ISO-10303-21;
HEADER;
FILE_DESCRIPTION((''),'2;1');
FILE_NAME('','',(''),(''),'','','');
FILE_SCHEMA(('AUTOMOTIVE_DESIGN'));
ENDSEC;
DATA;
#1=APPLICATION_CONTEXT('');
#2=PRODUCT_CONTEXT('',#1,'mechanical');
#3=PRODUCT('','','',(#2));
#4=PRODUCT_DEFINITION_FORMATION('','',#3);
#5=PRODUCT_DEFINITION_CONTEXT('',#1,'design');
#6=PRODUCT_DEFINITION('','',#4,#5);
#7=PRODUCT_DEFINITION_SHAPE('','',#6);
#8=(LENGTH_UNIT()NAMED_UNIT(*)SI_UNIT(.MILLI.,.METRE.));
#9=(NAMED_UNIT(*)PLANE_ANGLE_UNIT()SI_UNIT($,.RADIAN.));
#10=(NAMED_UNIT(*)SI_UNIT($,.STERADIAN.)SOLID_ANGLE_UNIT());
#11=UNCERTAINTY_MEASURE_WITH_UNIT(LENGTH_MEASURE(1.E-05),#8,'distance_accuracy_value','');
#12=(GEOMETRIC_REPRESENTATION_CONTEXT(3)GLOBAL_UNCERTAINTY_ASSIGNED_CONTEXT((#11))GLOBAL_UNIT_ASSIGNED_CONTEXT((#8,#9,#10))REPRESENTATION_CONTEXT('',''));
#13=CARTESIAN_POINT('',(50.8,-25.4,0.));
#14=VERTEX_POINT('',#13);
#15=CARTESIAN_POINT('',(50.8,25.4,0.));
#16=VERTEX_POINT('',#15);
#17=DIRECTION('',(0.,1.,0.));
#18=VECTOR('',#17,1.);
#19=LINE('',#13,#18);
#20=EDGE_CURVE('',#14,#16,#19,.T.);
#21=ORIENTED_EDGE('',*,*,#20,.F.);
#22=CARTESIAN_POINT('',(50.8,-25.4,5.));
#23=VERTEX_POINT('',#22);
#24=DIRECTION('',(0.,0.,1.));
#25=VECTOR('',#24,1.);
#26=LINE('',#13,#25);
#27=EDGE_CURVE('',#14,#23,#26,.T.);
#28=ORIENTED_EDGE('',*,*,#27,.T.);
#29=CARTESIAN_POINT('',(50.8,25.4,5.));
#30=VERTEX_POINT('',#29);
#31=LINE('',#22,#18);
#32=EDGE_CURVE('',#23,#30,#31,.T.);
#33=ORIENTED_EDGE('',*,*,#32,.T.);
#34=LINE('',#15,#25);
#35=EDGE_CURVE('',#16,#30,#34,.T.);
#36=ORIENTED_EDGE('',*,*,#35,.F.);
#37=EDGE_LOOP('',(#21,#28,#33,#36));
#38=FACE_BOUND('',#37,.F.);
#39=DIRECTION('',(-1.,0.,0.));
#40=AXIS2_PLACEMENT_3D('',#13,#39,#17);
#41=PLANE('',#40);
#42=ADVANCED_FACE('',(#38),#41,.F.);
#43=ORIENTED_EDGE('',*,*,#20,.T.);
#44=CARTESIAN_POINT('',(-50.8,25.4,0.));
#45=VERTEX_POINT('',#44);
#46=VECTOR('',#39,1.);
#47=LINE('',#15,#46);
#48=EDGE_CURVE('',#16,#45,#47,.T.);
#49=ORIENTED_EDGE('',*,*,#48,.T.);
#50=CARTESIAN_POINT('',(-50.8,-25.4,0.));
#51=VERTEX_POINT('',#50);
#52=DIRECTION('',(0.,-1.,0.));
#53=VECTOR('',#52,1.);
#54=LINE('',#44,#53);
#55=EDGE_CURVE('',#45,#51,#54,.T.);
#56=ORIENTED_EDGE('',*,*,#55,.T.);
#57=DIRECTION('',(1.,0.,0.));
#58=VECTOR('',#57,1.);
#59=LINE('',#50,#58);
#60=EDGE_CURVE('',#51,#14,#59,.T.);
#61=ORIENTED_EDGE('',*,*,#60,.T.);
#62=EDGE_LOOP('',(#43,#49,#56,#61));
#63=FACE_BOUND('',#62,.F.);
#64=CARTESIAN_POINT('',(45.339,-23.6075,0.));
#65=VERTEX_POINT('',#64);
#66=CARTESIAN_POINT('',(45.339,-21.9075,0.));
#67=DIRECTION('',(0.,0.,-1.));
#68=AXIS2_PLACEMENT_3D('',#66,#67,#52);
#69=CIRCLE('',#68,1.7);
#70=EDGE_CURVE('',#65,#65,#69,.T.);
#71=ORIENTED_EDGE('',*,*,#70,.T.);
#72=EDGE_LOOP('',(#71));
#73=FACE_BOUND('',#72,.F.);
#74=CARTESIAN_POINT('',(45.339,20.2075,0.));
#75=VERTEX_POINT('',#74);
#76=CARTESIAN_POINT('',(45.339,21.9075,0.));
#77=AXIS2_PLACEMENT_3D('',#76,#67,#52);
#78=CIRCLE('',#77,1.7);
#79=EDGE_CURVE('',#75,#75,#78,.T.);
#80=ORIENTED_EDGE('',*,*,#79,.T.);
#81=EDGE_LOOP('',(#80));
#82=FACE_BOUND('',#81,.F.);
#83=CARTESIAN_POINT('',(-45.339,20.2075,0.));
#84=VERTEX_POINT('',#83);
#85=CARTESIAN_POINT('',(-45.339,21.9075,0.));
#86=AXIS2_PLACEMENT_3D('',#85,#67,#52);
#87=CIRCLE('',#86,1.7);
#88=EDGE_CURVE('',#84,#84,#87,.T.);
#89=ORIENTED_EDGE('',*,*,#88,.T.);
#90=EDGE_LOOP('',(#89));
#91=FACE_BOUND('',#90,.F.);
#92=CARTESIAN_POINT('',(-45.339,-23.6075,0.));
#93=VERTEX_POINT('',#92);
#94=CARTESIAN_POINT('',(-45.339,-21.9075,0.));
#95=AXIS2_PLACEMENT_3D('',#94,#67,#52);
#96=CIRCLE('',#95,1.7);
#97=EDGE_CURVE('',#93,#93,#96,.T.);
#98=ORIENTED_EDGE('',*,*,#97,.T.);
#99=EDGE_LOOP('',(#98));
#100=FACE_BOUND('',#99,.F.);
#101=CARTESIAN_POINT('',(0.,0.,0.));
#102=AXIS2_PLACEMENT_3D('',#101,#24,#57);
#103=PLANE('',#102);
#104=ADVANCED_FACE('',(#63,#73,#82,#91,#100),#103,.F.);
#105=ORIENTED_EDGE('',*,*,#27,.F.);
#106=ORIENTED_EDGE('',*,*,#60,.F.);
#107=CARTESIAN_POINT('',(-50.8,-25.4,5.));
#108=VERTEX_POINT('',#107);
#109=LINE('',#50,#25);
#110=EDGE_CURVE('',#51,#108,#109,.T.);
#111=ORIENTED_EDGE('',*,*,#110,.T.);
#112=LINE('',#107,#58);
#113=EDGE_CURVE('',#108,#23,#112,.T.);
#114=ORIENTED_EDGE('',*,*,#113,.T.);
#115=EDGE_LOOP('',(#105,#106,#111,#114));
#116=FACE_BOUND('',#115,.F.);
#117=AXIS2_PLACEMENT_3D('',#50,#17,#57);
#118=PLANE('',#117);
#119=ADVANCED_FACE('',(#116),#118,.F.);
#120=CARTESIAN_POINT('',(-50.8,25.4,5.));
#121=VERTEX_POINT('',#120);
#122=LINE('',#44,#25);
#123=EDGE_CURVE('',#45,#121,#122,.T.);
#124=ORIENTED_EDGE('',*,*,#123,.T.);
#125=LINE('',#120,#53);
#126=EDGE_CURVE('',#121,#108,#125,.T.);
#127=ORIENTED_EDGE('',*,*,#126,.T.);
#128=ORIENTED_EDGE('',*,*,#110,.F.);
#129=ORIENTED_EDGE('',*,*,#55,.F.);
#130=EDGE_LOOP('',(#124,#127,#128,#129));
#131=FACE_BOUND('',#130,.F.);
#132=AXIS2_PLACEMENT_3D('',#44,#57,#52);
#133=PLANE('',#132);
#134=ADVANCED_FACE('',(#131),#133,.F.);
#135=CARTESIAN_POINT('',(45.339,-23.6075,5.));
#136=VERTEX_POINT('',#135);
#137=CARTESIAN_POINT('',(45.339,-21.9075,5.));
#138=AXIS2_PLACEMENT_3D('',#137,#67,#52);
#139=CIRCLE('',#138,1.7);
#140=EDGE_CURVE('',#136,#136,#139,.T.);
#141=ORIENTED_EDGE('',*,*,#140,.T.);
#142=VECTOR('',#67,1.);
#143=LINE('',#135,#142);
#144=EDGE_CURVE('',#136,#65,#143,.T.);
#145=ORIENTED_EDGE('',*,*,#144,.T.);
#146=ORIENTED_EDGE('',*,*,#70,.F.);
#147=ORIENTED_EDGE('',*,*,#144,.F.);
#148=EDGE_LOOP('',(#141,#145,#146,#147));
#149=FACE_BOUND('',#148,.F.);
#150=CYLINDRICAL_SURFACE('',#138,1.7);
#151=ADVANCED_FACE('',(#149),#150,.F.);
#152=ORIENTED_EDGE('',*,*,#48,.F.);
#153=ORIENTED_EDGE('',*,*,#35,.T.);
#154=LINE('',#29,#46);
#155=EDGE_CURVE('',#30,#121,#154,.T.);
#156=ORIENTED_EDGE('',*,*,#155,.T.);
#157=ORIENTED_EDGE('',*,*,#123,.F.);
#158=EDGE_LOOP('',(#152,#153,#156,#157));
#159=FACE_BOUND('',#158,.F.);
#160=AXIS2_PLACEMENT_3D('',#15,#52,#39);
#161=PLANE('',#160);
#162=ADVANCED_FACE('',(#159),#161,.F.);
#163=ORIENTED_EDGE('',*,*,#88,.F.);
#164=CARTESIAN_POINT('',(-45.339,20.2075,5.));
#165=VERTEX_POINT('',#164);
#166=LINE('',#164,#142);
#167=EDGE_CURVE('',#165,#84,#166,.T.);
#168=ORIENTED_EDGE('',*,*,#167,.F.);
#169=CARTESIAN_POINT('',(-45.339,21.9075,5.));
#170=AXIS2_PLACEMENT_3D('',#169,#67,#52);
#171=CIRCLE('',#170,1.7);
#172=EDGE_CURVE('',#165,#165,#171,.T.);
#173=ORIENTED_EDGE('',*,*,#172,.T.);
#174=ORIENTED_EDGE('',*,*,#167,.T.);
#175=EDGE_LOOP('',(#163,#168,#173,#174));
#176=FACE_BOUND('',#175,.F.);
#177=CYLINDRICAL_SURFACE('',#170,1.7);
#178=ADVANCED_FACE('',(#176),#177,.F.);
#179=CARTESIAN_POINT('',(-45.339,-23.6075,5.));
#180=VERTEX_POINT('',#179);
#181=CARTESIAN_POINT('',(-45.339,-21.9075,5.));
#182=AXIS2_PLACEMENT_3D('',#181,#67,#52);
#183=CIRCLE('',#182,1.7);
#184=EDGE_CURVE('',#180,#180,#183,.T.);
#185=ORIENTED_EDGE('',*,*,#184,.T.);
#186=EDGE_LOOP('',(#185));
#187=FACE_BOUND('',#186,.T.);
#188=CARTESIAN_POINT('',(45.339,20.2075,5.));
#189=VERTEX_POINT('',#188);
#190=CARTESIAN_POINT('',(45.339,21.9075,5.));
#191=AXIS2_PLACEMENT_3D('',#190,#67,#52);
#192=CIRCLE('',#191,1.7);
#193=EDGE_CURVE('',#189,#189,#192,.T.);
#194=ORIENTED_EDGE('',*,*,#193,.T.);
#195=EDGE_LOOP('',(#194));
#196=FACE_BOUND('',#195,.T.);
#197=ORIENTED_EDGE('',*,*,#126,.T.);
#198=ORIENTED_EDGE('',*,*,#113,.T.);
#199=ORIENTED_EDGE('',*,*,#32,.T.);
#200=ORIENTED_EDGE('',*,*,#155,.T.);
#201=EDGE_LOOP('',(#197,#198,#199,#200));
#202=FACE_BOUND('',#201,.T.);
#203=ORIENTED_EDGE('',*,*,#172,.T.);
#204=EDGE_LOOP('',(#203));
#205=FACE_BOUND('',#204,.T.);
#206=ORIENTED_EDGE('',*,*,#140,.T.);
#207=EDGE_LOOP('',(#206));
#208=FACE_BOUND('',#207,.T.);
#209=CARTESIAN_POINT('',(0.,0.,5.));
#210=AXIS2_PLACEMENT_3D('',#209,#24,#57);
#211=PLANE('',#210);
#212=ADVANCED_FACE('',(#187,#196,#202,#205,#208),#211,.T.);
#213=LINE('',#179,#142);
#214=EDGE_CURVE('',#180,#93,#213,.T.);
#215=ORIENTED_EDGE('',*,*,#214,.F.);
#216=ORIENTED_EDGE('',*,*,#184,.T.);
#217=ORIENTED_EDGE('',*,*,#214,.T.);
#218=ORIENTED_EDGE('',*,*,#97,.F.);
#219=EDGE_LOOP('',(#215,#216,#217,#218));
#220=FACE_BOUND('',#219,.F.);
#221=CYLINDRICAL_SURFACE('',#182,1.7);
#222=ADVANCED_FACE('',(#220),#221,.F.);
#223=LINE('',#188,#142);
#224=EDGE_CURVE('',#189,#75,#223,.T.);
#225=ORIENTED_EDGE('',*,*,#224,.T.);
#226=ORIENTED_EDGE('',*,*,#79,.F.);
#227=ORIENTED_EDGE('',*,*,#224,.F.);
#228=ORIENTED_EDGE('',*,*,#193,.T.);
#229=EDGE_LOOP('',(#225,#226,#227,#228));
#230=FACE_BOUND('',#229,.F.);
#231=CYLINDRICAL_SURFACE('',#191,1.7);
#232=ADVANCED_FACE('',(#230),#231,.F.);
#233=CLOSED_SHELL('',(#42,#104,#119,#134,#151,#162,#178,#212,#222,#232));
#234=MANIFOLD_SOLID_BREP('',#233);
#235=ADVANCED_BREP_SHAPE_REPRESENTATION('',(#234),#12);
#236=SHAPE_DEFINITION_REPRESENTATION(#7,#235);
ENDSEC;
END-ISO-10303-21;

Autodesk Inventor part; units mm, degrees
ref_plane "YZ Plane" through (0, 0, 0) normal (1, 0, 0) x (0, 1, 0)
ref_plane "XZ Plane" through (0, 0, 0) normal (0, 1, 0) x (-1, 0, 0)
ref_plane "XY Plane" through (0, 0, 0) normal (0, 0, 1) x (1, 0, 0)
sketch "Sketch1" plane through (0, 0, 0) normal (0, 0, 1) x (1, 0, 0)
  line L0 (-50.8, -25.4) -> (50.8, -25.4)
  line L1 (50.8, -25.4) -> (50.8, 25.4)
  line L2 (50.8, 25.4) -> (-50.8, 25.4)
  line L3 (-50.8, 25.4) -> (-50.8, -25.4)
  point P0 (0, 0)
  point P1 (0, 25.4)
  point P2 (50.8, 0)
  dimension "d12" = 90
  dimension "d0" = 50.8
  dimension "d2" = 101.6
extrude "Extrusion1" add sketch "Sketch1" along normal blind 5
sketch "Sketch2" plane through (0, 0, 5) normal (0, 0, 1) x (1, 0, 0)
  line L0 (50.8, -25.4) -> (50.8, 25.4) projected
  line L1 (50.8, 25.4) -> (-50.8, 25.4) projected
  line L2 (-45.339, 21.9075) -> (45.339, 21.9075)
  line L3 (45.339, 21.9075) -> (45.339, -21.9075)
  line L4 (45.339, -21.9075) -> (-45.339, -21.9075)
  line L5 (-45.339, -21.9075) -> (-45.339, 21.9075)
  point P0 (45.339, 0)
  point P1 (50.8, 0)
  point P2 (0, 21.9075)
  point P3 (0, 25.4)
  dimension "d5" = 43.815
  dimension "d7" = 90.678
hole "Hole1" at (-45.339, 21.9075, 5) at (45.339, 21.9075, 5) at (45.339, -21.9075, 5) at (-45.339, -21.9075, 5) direction (0, 0, -1) diameter 3.4 end through all clearance for "Socket Head Cap Screw" size "M3" standard "Ansi Metric M Profile"
properties part number "electronics"
